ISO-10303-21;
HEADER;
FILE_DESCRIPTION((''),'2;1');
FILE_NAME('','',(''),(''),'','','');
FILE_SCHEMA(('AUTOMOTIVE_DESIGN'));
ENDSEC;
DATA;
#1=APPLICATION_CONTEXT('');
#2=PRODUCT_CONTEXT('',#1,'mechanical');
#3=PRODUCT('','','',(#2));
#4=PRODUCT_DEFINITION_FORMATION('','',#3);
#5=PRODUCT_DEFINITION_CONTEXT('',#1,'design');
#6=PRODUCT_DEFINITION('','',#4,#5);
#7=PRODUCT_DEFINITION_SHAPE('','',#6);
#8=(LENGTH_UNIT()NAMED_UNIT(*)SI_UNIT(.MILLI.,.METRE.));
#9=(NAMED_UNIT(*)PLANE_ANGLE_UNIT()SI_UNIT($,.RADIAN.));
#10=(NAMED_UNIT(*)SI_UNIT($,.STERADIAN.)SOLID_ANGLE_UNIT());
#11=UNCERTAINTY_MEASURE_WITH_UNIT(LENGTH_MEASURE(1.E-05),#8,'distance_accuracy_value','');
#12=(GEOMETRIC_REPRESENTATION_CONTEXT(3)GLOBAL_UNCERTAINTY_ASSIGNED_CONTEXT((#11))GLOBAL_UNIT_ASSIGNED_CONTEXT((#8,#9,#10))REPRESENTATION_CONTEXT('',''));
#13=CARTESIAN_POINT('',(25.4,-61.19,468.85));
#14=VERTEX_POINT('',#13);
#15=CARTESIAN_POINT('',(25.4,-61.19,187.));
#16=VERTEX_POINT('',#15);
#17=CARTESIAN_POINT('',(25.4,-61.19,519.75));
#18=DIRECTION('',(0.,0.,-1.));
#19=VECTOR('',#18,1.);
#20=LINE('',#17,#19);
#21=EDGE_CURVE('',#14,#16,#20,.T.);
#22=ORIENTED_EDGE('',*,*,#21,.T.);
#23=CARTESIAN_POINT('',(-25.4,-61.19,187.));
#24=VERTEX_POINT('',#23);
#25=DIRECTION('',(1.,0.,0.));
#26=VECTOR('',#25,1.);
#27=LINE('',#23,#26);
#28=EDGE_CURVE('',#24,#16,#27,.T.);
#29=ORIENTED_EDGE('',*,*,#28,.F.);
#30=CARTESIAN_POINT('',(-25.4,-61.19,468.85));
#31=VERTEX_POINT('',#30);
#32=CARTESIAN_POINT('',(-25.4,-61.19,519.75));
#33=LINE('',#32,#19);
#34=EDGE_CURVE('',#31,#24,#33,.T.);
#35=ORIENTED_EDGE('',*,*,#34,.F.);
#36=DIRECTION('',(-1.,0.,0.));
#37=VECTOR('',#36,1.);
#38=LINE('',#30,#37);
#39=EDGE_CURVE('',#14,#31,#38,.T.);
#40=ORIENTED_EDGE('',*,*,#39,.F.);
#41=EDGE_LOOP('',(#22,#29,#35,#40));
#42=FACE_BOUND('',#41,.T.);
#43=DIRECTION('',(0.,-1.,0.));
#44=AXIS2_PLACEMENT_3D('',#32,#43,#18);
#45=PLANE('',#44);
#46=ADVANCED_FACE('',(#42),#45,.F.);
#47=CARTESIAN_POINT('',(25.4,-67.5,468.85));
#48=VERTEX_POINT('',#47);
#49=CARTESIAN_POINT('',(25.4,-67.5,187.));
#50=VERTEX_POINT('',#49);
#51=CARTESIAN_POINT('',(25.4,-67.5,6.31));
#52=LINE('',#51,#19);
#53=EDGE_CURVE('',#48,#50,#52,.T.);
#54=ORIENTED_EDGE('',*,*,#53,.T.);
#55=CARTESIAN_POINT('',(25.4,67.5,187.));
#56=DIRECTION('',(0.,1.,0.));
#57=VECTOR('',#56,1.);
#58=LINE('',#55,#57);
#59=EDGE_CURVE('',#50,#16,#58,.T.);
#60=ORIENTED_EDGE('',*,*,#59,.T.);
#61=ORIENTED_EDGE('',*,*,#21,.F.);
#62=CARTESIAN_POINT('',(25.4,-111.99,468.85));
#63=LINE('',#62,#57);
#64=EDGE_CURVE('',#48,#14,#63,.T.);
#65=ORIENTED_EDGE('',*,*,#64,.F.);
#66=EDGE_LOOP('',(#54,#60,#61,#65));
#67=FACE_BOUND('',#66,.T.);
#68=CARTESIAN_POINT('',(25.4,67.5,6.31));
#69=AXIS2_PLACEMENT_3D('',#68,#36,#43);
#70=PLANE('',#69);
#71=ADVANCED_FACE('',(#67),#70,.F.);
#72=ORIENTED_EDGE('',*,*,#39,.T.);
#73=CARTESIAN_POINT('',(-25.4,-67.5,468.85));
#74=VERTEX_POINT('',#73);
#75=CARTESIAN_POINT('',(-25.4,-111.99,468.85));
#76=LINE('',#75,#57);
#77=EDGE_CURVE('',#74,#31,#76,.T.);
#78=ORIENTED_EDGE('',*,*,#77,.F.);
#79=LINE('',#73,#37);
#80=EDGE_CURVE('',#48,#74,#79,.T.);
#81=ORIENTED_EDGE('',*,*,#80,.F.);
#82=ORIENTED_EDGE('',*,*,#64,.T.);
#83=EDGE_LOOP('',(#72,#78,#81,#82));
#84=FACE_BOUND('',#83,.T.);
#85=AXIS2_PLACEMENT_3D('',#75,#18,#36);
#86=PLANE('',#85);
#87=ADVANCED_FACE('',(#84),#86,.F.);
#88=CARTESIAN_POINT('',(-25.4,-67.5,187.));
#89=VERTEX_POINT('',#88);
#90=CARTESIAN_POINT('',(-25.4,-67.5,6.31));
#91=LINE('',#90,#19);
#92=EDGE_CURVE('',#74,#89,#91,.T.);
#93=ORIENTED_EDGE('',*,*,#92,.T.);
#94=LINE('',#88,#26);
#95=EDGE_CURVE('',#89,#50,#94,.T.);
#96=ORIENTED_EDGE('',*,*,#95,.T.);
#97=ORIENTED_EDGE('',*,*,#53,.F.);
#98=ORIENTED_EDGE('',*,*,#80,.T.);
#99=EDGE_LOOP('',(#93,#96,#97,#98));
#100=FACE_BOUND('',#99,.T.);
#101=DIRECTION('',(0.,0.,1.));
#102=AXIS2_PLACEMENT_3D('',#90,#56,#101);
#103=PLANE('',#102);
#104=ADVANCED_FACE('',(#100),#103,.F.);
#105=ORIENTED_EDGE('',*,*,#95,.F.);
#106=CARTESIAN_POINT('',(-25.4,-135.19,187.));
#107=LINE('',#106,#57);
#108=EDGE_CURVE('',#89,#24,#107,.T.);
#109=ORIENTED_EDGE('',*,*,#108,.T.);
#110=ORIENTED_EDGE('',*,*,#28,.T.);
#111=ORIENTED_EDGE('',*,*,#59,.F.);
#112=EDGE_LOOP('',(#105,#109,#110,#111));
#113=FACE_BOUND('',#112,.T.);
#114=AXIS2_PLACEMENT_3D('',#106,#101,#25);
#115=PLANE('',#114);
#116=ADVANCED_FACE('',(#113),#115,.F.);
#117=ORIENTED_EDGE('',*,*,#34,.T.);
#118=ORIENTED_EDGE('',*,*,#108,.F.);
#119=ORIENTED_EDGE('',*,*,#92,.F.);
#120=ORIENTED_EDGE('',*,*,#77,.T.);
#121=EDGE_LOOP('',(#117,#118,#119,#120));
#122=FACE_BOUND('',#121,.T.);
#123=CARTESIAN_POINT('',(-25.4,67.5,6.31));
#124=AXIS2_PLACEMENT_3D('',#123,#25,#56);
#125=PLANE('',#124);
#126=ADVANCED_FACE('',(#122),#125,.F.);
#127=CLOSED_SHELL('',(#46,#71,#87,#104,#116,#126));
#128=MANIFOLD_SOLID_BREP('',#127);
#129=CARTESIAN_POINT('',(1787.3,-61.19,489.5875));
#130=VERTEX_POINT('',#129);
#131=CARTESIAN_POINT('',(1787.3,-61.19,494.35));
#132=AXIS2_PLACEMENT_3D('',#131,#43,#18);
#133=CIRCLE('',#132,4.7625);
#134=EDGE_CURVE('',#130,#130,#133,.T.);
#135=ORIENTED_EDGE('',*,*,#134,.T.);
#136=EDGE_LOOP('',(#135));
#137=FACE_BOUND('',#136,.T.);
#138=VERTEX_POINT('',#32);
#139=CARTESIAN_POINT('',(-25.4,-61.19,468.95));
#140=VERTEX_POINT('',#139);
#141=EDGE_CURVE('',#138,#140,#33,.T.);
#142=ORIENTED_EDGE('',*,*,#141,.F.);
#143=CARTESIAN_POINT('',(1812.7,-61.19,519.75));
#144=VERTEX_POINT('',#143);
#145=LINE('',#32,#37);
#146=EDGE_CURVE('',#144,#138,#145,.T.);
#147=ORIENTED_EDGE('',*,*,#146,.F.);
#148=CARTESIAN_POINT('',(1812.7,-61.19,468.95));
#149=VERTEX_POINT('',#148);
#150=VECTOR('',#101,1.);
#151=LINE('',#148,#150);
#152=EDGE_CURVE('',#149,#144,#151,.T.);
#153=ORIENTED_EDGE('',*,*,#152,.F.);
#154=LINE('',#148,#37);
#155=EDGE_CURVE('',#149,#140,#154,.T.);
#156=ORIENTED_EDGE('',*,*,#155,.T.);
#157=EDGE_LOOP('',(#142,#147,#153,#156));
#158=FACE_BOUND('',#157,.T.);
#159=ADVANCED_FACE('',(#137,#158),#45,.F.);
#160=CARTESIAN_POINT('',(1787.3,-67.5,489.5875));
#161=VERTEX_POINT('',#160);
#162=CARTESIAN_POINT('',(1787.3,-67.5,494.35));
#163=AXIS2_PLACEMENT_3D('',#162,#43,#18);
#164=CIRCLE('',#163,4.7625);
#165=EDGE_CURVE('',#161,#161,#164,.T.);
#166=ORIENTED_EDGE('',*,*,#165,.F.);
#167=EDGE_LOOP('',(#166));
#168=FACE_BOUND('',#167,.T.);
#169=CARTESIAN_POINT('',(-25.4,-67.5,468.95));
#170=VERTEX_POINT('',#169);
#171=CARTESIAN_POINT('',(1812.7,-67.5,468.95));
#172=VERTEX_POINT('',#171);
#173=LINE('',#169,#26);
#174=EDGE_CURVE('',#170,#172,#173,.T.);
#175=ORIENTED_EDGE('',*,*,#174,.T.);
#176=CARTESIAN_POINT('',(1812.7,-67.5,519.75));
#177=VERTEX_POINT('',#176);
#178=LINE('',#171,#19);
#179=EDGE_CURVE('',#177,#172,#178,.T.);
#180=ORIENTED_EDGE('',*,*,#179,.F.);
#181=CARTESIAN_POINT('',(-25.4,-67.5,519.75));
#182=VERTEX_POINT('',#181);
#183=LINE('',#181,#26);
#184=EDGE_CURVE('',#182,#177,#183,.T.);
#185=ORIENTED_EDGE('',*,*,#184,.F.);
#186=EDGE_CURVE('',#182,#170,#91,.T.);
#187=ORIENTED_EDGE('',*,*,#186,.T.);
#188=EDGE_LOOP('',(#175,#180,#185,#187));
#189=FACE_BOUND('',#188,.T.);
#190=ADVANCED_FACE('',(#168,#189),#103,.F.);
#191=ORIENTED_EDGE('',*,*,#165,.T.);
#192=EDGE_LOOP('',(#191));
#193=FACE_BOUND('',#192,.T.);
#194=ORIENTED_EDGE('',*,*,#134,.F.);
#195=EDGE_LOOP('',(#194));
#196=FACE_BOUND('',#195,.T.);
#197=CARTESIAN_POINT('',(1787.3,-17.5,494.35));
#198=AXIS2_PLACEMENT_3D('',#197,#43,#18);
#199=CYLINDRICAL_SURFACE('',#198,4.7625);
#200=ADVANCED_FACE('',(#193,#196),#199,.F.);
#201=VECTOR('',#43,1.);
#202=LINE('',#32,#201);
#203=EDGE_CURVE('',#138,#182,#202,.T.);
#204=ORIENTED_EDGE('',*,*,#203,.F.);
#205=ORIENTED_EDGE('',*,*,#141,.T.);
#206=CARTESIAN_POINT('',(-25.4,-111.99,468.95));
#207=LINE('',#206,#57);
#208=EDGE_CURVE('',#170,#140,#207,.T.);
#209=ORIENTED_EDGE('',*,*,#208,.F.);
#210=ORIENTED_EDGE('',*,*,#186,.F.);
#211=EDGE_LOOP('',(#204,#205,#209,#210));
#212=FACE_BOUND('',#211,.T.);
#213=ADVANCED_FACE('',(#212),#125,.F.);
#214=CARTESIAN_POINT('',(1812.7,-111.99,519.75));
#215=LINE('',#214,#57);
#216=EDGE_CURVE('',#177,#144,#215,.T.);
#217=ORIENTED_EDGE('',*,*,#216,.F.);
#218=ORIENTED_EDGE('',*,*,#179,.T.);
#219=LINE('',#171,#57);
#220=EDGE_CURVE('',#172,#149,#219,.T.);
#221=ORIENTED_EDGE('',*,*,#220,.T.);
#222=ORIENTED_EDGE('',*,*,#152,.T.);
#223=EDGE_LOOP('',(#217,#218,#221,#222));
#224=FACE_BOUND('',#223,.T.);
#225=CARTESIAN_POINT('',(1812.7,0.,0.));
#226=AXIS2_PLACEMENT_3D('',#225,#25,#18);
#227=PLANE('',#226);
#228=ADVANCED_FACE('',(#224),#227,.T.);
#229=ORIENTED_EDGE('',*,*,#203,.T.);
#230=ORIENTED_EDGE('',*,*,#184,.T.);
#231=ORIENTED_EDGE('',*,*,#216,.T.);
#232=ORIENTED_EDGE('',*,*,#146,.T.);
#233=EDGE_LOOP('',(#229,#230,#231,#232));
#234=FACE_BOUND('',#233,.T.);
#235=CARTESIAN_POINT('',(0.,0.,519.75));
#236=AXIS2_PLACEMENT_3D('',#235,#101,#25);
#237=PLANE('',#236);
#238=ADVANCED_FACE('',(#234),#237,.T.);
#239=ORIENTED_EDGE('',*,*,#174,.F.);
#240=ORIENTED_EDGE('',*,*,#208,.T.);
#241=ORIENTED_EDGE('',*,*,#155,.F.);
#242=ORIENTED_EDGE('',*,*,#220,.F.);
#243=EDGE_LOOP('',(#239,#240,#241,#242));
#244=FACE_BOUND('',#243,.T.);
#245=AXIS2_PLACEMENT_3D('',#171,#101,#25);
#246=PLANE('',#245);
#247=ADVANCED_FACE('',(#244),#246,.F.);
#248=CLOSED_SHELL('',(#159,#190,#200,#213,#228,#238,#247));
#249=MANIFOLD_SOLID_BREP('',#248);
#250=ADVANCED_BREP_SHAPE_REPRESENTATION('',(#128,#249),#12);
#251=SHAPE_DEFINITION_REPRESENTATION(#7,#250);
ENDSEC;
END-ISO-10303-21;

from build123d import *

# Parameters (mm, degrees)
CROQUIS2_W              = 50.8
CROQUIS2_H              = 135
SALIENTE_EXTRUIR1_DEPTH = 6.31
CROQUIS3_W              = 50.8
CROQUIS3_H              = 6.31
SALIENTE_EXTRUIR2_DEPTH = 513.44
CROQUIS4_W              = 50.8
CROQUIS4_H              = 6.31
SALIENTE_EXTRUIR3_DEPTH = 1787.3
CROQUIS9_W              = 50.8
CROQUIS9_H              = 6.31
SALIENTE_EXTRUIR4_DEPTH = 98
CROQUIS12_R             = 5
CORTAR_EXTRUIR1_DEPTH   = 10
CORTAR_EXTRUIR2_DEPTH   = 73
CROQUIS16_W             = 47.2
CROQUIS16_H             = 68.495521413
CORTAR_EXTRUIR5_DEPTH   = 10
CROQUIS17_W             = 50.8
CROQUIS17_H             = 0.1
CORTAR_EXTRUIR6_DEPTH   = 50.8
CROQUIS18_W             = 50.8
CROQUIS18_H             = 0.1
CORTAR_EXTRUIR7_DEPTH   = 50.8
CROQUIS20_R             = 5
CORTAR_EXTRUIR9_DEPTH   = 33
CROQUIS25_R             = 4.7625
CORTAR_EXTRUIR13_DEPTH  = 50
CROQUIS29_W             = 50.8
CROQUIS29_H             = 6.31
SALIENTE_EXTRUIR5_DEPTH = 100
CORTAR_EXTRUIR17_DEPTH  = 68
CROQUIS33_W             = 50.8
CROQUIS33_H             = 187
CORTAR_EXTRUIR18_DEPTH  = 74
CORTAR_EXTRUIR19_DEPTH  = 121


with BuildPart() as part:
    # Croquis2 → Saliente-Extruir1 (new body)
    with BuildSketch(Plane.XY):
        Rectangle(CROQUIS2_W, CROQUIS2_H)
    extrude(amount=SALIENTE_EXTRUIR1_DEPTH)

    # Croquis3 → Saliente-Extruir2 (add)
    with BuildSketch(Plane.XY.offset(6.31)):
        with Locations((0, -64.345)):
            Rectangle(CROQUIS3_W, CROQUIS3_H)
    extrude(amount=SALIENTE_EXTRUIR2_DEPTH)

    # Croquis4 → Saliente-Extruir3 (add)
    with BuildSketch(Plane(origin=(25.4, 0, 0), x_dir=(0, 0, -1), z_dir=(1, 0, 0))):
        with Locations((-494.35, -64.345)):
            Rectangle(CROQUIS4_W, CROQUIS4_H)
    extrude(amount=SALIENTE_EXTRUIR3_DEPTH)

    # Barrer2: sweep along a curve in space
    with BuildLine() as barrer2_path:
        Line((1787.3, -64.345, 519.75), (1787.3, -64.345, 642.06))
        Line((1787.3, -64.345, 642.06), (1787.3, 66.675, 642.06))
        Line((1787.3, 66.675, 642.06), (1787.3, 66.675, 1436.06))
    # Croquis9 → Barrer2 (sweep)
    with BuildSketch(Plane.XY.offset(519.75)):
        with Locations((1787.3, -64.345)):
            Rectangle(CROQUIS9_W, CROQUIS9_H)
    sweep(path=barrer2_path.line, transition=Transition.RIGHT)

    # Croquis11 → Saliente-Extruir4 (add)
    with BuildSketch(Plane.ZY.offset(25.4)):
        Polygon((0, 67.5), (-31.60126178, 124.808722595), (-26.075659426, 127.855658535), (6.31, 67.5), align=None)
    extrude(amount=-SALIENTE_EXTRUIR4_DEPTH)

    # Croquis12 → Cortar-Extruir1 (cut)
    with BuildSketch(Plane(origin=(0, 69.83, 0), x_dir=(1, 0, 0), z_dir=(0, 1, 0))):
        with Locations(Location((1787.3, -1403.06, 0), (0, 0, 270))):
            Circle(CROQUIS12_R)
        with Locations(Location((1787.3, -1183.06, 0), (0, 0, 270))):
            Circle(CROQUIS12_R)
    extrude(amount=-CORTAR_EXTRUIR1_DEPTH, mode=Mode.SUBTRACT)

    # Croquis13 → Cortar-Extruir2 (cut)
    with BuildSketch(Plane(origin=(1812.7, 0, 0), x_dir=(0, 0, -1), z_dir=(1, 0, 0))):
        Polygon((-645.215, 56.71628726), (-638.905, 56.71628726), (-638.905, 69.83), (-1436.06, 69.83), (-1436.06, 63.52), (-645.215, 63.52), align=None)
    extrude(amount=-CORTAR_EXTRUIR2_DEPTH, mode=Mode.SUBTRACT)

    # Croquis16 → Cortar-Extruir5 (cut)
    with BuildSketch(Plane(origin=(0, 17.718759704, 33.021634554), x_dir=(1, 0, 0), z_dir=(0, 0.47281426227300877, 0.8811621152723433))):
        with Locations((49, 90.742745493)):
            Rectangle(CROQUIS16_W, CROQUIS16_H)
    extrude(amount=-CORTAR_EXTRUIR5_DEPTH, mode=Mode.SUBTRACT)

    # Croquis17 → Cortar-Extruir6 (cut)
    with BuildSketch(Plane(origin=(0, -61.19, 0), x_dir=(1, 0, 0), z_dir=(0, 1, 0))):
        with Locations((0, -468.9)):
            Rectangle(CROQUIS17_W, CROQUIS17_H)
    extrude(amount=-CORTAR_EXTRUIR6_DEPTH, mode=Mode.SUBTRACT)


with BuildPart() as cortar_extruir6_piece_1:
    # of the separate pieces the step leaves, piece 1, a body of its own (cortar_extruir6_pieces)
    add(part.part.solids().sort_by_distance((-25.4, -61.19, 468.95))[0])

    # Croquis18 → Cortar-Extruir7 (cut)
    with BuildSketch(Plane(origin=(0, -61.19, 0), x_dir=(1, 0, 0), z_dir=(0, 1, 0))):
        with Locations((1787.3, -519.8)):
            Rectangle(CROQUIS18_W, CROQUIS18_H)
    extrude(amount=-CORTAR_EXTRUIR7_DEPTH, mode=Mode.SUBTRACT)


with BuildPart() as cortar_extruir6_piece_2:
    # of the separate pieces the step leaves, piece 2, a body of its own (cortar_extruir6_pieces)
    add(part.part.solids().sort_by_distance((-25.4, -61.19, 6.31))[0])

    # Croquis32 → Cortar-Extruir17 (cut)
    with BuildSketch(Plane.ZY.offset(25.4)):
        Polygon((6.31, -61.19), (0, -61.19), (0, 67.5), (-31.60126178, 124.808722595), (-26.075659426, 127.855658535), (6.31, 67.5), align=None)
    extrude(amount=-CORTAR_EXTRUIR17_DEPTH, mode=Mode.SUBTRACT)

    # Croquis33 → Cortar-Extruir18 (cut)
    with BuildSketch(Plane(origin=(0, -61.19, 0), x_dir=(1, 0, 0), z_dir=(0, 1, 0))):
        with Locations((0, -93.5)):
            Rectangle(CROQUIS33_W, CROQUIS33_H)
    extrude(amount=-CORTAR_EXTRUIR18_DEPTH, mode=Mode.SUBTRACT)


with BuildPart() as cortar_extruir7_piece_1:
    # of the separate pieces the step leaves, piece 1, a body of its own (cortar_extruir7_pieces)
    add(cortar_extruir6_piece_1.part.solids().sort_by_distance((-25.4, -61.19, 468.95))[0])

    # Croquis25 → Cortar-Extruir13 (cut)
    with BuildSketch(Plane(origin=(0, -67.5, 0), x_dir=(-1, 0, 0), z_dir=(0, -1, 0))):
        with Locations(Location((-1787.3, -494.35, 0), (0, 0, 90))):
            Circle(CROQUIS25_R)
    extrude(amount=-CORTAR_EXTRUIR13_DEPTH, mode=Mode.SUBTRACT)


with BuildPart() as cortar_extruir7_piece_2:
    # of the separate pieces the step leaves, piece 2, a body of its own (cortar_extruir7_pieces)
    add(cortar_extruir6_piece_1.part.solids().sort_by_distance((1812.7, -61.19, 638.905))[0])

    # Croquis20 → Cortar-Extruir9 (cut)
    with BuildSketch(Plane(origin=(0, 0, 638.905), x_dir=(-1, 0, 0), z_dir=(0, 0, -1))):
        with Locations((-1787.3, 22.71628726)):
            Circle(CROQUIS20_R)
    extrude(amount=-CORTAR_EXTRUIR9_DEPTH, mode=Mode.SUBTRACT)

    # Croquis29 → Saliente-Extruir5 (add)
    with BuildSketch(Plane(origin=(0, 56.71628726, 0), x_dir=(1, 0, 0), z_dir=(0, 1, 0))):
        with Locations((1787.3, -642.06)):
            Rectangle(CROQUIS29_W, CROQUIS29_H)
    extrude(amount=SALIENTE_EXTRUIR5_DEPTH)

    # Croquis34 → Cortar-Extruir19 (cut)
    with BuildSketch(Plane(origin=(1812.7, 0, 0), x_dir=(0, 0, -1), z_dir=(1, 0, 0))):
        Polygon((-519.85, -61.19), (-519.85, -67.5), (-645.215, -67.5), (-645.215, 156.71628726), (-638.905, 156.71628726), (-638.905, -61.19), align=None)
    extrude(amount=-CORTAR_EXTRUIR19_DEPTH, mode=Mode.SUBTRACT)


solid = Compound([cortar_extruir6_piece_2.part, cortar_extruir7_piece_1.part])
